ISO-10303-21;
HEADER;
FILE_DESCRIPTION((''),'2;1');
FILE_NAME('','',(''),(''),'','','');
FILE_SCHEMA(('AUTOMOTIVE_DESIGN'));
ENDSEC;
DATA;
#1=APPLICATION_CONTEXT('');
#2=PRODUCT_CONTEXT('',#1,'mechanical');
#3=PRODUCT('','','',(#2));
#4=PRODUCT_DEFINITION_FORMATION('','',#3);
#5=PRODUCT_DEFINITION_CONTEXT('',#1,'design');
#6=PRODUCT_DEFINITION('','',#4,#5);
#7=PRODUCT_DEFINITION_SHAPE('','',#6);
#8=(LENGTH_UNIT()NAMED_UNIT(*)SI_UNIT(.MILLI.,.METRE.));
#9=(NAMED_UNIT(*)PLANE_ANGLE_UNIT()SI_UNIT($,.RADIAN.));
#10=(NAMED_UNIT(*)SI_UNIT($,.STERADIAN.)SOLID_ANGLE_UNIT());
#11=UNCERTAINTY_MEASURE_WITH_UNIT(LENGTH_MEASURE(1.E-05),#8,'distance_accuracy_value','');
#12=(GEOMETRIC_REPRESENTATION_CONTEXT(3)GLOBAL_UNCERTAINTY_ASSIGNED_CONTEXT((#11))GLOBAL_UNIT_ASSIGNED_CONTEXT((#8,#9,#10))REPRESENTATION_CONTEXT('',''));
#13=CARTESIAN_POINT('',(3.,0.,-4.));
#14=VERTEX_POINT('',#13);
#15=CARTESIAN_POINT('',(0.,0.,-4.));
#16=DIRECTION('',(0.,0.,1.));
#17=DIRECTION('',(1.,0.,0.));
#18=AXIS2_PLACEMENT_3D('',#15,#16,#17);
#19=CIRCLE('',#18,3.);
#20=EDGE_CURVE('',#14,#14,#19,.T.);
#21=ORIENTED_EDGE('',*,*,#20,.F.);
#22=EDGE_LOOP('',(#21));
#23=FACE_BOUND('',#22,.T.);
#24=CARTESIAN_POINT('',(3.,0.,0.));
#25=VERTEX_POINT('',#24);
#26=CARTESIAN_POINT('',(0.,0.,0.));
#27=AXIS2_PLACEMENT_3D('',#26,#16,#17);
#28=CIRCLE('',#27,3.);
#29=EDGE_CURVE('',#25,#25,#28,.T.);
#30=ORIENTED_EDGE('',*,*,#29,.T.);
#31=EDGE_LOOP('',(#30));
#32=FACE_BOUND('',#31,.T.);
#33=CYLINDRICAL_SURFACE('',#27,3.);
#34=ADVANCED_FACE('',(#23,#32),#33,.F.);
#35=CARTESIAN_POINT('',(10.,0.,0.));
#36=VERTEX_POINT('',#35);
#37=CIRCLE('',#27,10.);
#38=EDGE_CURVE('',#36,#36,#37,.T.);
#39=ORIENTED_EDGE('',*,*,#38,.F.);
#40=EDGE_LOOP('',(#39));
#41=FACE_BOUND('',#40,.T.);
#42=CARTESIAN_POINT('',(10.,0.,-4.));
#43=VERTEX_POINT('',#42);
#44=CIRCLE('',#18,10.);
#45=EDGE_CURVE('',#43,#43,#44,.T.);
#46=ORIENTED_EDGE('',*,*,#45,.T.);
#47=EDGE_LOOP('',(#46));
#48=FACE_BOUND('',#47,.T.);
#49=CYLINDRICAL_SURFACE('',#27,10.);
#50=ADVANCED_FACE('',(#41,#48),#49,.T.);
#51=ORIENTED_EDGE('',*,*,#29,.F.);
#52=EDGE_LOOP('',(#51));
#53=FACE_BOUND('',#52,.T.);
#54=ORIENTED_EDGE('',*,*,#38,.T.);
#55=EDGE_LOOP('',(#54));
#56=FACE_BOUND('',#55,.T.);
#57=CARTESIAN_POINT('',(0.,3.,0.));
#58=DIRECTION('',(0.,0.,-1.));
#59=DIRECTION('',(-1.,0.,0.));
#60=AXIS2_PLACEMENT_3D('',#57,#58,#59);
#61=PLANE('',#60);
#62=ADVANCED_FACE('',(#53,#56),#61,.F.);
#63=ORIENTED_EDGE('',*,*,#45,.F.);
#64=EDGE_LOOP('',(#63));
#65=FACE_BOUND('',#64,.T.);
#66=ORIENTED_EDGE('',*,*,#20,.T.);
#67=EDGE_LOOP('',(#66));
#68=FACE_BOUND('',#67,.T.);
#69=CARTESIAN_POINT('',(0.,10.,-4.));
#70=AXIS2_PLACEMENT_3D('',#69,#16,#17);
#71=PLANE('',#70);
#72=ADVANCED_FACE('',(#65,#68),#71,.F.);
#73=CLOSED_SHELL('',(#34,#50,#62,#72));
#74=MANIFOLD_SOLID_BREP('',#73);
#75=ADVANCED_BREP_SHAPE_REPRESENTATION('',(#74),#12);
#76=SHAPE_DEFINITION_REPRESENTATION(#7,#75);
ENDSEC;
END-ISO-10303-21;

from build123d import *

# Parameters (mm, degrees)
SKETCH_1_W = 4
SKETCH_1_H = 7


with BuildPart() as part:
    # 草图1 → 旋转1 (revolve)
    with BuildSketch(Plane(origin=(0, 0, 0), x_dir=(0, 0, -1), z_dir=(1, 0, 0))):
        with Locations((2, 6.5)):
            Rectangle(SKETCH_1_W, SKETCH_1_H)
    revolve(axis=Axis((0, 0, 0), (0, 0, -1)))


solid = part.part
